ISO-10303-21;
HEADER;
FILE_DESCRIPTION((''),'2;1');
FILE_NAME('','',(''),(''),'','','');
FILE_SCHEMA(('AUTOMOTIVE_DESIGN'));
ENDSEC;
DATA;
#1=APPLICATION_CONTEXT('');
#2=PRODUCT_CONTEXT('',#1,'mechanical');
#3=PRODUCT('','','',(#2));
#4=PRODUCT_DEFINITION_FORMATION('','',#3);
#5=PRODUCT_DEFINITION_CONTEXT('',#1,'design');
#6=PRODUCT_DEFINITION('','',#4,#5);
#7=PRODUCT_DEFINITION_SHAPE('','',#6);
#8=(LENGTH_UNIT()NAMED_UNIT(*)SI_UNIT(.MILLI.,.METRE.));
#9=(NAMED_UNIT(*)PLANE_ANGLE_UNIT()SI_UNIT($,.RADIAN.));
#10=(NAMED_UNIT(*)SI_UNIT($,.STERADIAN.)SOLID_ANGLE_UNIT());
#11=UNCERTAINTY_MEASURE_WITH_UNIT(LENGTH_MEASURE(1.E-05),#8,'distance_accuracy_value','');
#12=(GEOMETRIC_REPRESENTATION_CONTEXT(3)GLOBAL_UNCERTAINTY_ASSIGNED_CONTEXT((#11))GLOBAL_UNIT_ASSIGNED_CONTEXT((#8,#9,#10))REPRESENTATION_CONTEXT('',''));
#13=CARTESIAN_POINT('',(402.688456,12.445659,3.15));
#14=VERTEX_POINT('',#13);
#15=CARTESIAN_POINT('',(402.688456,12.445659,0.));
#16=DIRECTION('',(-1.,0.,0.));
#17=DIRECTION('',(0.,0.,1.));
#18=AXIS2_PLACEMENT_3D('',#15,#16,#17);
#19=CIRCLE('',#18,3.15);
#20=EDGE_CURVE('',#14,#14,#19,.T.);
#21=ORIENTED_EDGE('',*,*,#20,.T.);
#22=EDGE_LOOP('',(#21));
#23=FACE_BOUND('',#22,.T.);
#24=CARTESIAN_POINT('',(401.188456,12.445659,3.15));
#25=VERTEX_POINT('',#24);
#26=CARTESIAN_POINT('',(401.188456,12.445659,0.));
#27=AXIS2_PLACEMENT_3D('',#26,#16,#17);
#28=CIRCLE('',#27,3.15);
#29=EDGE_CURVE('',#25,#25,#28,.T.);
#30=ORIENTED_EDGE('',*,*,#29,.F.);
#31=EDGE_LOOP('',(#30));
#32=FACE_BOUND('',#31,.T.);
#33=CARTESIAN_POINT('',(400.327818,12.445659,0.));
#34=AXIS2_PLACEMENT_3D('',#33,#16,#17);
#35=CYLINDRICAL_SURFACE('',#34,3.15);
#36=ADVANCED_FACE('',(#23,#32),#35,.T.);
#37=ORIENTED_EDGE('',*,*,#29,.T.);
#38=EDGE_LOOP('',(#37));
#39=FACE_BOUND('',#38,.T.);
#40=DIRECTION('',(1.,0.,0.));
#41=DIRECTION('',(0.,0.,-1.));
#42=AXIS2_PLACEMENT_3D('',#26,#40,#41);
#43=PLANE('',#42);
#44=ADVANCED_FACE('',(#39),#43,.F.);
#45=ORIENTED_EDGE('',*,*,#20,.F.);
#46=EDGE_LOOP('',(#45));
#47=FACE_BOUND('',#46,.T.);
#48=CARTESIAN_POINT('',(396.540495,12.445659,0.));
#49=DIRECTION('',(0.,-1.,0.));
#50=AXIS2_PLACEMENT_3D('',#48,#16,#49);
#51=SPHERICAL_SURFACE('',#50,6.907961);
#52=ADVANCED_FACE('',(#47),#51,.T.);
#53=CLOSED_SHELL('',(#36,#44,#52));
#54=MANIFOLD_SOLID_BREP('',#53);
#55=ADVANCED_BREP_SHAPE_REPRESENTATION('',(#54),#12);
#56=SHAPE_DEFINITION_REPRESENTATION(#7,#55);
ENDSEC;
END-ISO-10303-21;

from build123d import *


with BuildPart() as part:
    # 草图1 → 旋转1 (revolve)
    with BuildSketch(Plane.XY, mode=Mode.PRIVATE) as revolve_1_sk:
        with BuildLine():
            Line((401.188455692, 12.445658556), (401.188455692, 15.595658556))
            Line((401.188455692, 15.595658556), (402.688455692, 15.595658556))
            ThreePointArc((402.688455692, 15.595658556), (403.255768328, 14.065851446), (403.448455692, 12.445658556))
            Line((403.448455692, 12.445658556), (401.188455692, 12.445658556))
        make_face()
    revolve(revolve_1_sk.sketch.rotate(Axis((400.327817604, 12.445658556, 0), (1, 0, 0)), 180), axis=Axis((400.327817604, 12.445658556, 0), (1, 0, 0)))  # turned: the seam where the file's is


solid = part.part
